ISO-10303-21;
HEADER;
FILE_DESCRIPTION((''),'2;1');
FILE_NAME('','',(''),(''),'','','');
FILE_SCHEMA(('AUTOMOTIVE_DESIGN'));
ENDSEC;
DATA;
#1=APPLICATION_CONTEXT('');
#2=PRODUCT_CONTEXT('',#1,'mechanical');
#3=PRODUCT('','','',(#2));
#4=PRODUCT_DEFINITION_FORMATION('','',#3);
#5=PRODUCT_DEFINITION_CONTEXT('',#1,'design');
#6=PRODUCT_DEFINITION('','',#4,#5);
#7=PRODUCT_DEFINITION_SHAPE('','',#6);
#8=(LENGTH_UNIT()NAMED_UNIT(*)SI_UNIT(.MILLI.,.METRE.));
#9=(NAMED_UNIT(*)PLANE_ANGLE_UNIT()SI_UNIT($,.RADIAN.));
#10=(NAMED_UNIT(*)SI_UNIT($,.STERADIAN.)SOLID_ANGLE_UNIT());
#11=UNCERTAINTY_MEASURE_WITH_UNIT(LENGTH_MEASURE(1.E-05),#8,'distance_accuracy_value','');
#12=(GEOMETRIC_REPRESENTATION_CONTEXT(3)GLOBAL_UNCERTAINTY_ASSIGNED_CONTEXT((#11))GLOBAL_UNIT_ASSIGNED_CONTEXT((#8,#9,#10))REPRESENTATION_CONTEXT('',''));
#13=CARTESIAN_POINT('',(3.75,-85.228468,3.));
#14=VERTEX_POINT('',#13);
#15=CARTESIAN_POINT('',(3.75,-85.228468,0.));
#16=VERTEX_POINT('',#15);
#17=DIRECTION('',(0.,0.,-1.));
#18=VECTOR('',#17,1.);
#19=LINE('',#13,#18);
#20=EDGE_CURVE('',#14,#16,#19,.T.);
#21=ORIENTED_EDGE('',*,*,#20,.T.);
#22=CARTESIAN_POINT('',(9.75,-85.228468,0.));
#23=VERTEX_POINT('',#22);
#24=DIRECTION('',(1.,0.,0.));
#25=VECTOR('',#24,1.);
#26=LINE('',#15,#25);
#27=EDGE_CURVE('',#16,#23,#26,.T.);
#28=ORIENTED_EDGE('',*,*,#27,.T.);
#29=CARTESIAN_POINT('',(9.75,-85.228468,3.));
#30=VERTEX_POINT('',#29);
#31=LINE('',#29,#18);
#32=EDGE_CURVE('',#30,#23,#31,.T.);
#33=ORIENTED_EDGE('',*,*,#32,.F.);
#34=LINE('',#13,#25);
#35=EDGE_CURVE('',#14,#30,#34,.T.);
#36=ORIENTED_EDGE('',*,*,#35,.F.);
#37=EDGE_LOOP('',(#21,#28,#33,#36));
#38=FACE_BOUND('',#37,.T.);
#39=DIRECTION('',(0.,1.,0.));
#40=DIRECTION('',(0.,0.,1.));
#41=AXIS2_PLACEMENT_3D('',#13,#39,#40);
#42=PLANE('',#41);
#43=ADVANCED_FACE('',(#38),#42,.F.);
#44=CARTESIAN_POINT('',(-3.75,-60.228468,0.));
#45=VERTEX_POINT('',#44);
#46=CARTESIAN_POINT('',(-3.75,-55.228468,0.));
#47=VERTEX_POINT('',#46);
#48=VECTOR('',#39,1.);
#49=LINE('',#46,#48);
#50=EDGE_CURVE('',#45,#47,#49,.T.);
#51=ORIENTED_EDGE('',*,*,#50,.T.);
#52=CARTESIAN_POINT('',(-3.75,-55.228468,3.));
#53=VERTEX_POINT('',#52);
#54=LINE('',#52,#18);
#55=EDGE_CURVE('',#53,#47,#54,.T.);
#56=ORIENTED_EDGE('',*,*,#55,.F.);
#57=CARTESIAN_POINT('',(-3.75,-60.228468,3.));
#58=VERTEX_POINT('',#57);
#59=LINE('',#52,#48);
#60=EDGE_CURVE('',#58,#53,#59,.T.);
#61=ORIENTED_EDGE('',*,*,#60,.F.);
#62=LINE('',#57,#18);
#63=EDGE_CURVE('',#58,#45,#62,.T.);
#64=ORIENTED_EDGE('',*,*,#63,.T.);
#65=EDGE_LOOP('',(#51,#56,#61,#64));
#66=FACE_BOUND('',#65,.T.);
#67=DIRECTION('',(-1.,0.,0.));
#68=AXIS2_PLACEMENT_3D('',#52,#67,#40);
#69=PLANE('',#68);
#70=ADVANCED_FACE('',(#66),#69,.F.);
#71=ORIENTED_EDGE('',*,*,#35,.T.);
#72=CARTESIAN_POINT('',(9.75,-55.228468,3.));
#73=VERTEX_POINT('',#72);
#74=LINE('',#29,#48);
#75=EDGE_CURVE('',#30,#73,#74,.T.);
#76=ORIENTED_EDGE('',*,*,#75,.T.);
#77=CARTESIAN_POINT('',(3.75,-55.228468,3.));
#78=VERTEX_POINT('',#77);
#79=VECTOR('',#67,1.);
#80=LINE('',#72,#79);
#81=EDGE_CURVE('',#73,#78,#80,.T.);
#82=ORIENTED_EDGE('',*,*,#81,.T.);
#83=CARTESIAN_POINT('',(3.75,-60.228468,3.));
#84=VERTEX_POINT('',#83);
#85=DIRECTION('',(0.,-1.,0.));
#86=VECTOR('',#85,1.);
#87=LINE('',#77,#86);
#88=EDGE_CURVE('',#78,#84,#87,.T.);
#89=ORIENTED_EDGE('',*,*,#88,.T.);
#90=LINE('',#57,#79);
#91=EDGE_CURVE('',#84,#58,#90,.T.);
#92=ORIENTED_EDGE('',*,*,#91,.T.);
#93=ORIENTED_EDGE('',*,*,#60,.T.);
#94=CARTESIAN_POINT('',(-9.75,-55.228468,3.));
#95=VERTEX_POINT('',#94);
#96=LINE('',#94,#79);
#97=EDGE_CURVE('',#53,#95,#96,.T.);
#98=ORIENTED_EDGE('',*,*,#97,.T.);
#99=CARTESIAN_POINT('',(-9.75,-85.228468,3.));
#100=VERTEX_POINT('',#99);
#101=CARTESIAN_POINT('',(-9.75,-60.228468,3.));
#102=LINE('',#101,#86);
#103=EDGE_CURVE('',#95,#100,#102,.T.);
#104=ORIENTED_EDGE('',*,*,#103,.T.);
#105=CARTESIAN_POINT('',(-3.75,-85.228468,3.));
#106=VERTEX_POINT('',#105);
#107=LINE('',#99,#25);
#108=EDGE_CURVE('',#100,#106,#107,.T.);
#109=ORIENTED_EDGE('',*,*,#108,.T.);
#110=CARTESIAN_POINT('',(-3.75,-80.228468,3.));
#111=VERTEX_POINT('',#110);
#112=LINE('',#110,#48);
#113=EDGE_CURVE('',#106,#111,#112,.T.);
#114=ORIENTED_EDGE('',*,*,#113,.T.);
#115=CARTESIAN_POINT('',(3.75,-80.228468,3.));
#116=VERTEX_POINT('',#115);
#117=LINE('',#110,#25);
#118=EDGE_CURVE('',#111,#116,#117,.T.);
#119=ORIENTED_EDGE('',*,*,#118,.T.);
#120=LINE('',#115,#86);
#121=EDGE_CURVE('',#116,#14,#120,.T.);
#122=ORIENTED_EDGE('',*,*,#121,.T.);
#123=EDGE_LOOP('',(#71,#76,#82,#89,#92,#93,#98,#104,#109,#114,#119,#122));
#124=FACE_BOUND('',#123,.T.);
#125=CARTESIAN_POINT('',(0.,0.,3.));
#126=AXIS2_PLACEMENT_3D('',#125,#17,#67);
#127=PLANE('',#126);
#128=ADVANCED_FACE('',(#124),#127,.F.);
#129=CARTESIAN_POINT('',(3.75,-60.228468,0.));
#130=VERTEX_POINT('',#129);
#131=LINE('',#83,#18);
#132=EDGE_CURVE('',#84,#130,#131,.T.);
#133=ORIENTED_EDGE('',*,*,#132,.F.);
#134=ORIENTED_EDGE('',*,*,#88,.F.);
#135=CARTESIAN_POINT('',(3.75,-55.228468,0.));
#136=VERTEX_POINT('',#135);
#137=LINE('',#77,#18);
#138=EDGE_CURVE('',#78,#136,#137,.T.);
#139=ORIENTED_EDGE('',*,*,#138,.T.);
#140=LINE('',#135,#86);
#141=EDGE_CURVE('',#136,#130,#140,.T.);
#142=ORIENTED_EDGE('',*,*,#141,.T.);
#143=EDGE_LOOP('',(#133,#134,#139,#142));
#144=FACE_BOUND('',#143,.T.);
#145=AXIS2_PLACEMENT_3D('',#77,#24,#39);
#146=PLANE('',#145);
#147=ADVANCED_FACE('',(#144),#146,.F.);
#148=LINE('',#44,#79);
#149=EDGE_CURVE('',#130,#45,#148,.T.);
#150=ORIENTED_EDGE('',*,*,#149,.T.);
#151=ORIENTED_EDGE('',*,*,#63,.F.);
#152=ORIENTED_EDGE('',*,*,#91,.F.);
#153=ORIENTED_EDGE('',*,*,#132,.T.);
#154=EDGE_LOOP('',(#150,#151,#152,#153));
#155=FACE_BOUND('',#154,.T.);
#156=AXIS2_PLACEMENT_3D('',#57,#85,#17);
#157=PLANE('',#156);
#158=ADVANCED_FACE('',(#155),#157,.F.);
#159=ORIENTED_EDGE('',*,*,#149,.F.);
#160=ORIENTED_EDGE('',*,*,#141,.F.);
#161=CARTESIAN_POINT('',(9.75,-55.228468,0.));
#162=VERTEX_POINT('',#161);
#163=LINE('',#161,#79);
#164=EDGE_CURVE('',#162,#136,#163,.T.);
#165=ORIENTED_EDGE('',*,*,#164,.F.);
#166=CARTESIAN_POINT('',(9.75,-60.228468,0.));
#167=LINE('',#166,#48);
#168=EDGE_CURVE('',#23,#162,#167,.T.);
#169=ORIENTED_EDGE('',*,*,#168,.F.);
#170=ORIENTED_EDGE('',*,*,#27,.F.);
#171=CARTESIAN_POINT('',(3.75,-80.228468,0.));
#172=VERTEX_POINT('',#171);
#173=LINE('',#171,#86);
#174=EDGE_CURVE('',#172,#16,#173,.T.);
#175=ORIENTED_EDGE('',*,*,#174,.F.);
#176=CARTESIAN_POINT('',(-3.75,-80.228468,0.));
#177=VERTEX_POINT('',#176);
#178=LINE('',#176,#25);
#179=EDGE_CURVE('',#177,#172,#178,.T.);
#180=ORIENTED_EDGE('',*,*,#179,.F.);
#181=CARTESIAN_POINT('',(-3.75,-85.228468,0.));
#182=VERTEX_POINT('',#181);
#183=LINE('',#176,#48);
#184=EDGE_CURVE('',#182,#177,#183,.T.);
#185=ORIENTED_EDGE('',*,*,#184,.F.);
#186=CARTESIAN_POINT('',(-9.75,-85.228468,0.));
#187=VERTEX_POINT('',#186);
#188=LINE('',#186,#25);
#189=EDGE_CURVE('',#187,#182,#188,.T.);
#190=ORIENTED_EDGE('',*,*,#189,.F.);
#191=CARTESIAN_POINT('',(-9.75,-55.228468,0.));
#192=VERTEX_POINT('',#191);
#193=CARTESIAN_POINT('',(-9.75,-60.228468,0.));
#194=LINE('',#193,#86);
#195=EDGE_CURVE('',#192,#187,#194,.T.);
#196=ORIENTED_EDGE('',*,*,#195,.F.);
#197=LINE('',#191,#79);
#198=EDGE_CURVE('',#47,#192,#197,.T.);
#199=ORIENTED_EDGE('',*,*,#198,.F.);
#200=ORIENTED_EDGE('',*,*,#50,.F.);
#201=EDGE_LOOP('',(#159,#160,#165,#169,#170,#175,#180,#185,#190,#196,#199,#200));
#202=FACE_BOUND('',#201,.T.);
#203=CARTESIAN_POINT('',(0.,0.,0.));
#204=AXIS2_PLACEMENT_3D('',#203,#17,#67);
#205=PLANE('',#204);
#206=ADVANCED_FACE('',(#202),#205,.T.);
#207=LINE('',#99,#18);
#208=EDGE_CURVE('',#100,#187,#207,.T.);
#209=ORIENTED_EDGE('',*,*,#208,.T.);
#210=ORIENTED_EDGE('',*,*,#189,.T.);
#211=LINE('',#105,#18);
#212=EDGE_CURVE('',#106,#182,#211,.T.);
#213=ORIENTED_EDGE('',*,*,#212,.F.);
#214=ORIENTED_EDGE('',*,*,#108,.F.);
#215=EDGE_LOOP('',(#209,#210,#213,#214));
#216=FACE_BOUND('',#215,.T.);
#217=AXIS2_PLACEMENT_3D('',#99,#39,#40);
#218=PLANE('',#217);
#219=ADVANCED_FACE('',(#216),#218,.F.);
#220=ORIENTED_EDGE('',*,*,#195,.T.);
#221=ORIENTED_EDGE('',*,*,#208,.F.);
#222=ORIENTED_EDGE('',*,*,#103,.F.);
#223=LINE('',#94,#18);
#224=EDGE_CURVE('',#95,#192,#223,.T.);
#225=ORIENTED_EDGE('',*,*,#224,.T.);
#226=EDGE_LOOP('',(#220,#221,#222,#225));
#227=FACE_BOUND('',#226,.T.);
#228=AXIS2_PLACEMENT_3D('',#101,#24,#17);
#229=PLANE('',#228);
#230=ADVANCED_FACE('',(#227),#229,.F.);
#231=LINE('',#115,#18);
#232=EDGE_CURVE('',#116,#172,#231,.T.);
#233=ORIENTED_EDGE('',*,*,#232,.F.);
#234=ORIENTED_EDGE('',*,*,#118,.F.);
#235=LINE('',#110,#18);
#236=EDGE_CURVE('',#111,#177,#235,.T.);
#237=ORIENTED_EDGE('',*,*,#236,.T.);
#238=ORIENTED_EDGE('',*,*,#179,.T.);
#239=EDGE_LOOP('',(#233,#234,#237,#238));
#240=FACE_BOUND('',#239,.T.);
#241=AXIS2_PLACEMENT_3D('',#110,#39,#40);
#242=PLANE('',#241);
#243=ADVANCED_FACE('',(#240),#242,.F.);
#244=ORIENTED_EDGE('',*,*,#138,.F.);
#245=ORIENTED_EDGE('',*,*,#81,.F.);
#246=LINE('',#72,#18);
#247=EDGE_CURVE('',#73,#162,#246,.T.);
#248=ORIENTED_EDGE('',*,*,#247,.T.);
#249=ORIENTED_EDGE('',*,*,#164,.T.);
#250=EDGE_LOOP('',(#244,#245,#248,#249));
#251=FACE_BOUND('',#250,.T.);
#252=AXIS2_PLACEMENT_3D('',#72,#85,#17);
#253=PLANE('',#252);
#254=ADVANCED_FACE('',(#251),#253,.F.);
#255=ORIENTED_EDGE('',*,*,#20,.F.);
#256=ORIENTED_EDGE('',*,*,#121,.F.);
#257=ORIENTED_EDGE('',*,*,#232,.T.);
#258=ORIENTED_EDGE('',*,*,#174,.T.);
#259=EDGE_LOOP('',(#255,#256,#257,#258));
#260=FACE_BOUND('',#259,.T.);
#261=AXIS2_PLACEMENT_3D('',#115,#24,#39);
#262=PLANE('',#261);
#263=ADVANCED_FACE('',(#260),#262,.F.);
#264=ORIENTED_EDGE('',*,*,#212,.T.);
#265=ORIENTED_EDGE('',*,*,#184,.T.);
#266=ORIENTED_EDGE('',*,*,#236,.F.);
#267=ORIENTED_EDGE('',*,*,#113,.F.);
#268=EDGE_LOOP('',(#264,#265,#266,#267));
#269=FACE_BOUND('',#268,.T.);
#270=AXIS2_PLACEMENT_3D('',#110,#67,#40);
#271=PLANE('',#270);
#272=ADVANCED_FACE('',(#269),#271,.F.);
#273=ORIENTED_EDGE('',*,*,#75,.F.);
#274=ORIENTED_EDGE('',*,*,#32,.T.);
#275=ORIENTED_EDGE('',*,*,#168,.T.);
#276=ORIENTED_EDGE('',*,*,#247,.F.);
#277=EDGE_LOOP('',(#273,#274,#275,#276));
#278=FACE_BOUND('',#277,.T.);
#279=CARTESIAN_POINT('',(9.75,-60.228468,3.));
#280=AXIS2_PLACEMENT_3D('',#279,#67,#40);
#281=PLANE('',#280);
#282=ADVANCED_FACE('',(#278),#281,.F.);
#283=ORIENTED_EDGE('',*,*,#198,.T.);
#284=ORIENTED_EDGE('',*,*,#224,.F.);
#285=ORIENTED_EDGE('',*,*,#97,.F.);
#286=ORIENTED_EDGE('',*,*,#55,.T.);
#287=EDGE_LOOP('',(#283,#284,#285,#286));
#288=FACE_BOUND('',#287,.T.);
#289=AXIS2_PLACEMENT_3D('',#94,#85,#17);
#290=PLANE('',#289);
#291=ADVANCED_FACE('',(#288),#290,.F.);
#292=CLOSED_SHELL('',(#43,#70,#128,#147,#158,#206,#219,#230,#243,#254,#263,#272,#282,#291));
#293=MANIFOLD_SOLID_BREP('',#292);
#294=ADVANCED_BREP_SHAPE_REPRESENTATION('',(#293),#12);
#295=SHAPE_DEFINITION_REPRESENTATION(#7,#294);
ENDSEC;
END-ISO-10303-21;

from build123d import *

# Parameters (mm, degrees)
RESSALTO_EXTRUS_O1_DEPTH = 3


with BuildPart() as part:
    # Esboço1 → Ressalto-extrusão1 (new body)
    with BuildSketch(Plane.XY):
        Polygon((9.75, -85.228467857), (9.75, -60.228467857), (9.75, -55.228467857), (3.75, -55.228467857), (3.75, -60.228467857), (-3.75, -60.228467857), (-3.75, -55.228467857), (-9.75, -55.228467857), (-9.75, -60.228467857), (-9.75, -85.228467857), (-3.75, -85.228467857), (-3.75, -80.228467857), (3.75, -80.228467857), (3.75, -85.228467857), align=None)
    extrude(amount=RESSALTO_EXTRUS_O1_DEPTH)


solid = part.part
